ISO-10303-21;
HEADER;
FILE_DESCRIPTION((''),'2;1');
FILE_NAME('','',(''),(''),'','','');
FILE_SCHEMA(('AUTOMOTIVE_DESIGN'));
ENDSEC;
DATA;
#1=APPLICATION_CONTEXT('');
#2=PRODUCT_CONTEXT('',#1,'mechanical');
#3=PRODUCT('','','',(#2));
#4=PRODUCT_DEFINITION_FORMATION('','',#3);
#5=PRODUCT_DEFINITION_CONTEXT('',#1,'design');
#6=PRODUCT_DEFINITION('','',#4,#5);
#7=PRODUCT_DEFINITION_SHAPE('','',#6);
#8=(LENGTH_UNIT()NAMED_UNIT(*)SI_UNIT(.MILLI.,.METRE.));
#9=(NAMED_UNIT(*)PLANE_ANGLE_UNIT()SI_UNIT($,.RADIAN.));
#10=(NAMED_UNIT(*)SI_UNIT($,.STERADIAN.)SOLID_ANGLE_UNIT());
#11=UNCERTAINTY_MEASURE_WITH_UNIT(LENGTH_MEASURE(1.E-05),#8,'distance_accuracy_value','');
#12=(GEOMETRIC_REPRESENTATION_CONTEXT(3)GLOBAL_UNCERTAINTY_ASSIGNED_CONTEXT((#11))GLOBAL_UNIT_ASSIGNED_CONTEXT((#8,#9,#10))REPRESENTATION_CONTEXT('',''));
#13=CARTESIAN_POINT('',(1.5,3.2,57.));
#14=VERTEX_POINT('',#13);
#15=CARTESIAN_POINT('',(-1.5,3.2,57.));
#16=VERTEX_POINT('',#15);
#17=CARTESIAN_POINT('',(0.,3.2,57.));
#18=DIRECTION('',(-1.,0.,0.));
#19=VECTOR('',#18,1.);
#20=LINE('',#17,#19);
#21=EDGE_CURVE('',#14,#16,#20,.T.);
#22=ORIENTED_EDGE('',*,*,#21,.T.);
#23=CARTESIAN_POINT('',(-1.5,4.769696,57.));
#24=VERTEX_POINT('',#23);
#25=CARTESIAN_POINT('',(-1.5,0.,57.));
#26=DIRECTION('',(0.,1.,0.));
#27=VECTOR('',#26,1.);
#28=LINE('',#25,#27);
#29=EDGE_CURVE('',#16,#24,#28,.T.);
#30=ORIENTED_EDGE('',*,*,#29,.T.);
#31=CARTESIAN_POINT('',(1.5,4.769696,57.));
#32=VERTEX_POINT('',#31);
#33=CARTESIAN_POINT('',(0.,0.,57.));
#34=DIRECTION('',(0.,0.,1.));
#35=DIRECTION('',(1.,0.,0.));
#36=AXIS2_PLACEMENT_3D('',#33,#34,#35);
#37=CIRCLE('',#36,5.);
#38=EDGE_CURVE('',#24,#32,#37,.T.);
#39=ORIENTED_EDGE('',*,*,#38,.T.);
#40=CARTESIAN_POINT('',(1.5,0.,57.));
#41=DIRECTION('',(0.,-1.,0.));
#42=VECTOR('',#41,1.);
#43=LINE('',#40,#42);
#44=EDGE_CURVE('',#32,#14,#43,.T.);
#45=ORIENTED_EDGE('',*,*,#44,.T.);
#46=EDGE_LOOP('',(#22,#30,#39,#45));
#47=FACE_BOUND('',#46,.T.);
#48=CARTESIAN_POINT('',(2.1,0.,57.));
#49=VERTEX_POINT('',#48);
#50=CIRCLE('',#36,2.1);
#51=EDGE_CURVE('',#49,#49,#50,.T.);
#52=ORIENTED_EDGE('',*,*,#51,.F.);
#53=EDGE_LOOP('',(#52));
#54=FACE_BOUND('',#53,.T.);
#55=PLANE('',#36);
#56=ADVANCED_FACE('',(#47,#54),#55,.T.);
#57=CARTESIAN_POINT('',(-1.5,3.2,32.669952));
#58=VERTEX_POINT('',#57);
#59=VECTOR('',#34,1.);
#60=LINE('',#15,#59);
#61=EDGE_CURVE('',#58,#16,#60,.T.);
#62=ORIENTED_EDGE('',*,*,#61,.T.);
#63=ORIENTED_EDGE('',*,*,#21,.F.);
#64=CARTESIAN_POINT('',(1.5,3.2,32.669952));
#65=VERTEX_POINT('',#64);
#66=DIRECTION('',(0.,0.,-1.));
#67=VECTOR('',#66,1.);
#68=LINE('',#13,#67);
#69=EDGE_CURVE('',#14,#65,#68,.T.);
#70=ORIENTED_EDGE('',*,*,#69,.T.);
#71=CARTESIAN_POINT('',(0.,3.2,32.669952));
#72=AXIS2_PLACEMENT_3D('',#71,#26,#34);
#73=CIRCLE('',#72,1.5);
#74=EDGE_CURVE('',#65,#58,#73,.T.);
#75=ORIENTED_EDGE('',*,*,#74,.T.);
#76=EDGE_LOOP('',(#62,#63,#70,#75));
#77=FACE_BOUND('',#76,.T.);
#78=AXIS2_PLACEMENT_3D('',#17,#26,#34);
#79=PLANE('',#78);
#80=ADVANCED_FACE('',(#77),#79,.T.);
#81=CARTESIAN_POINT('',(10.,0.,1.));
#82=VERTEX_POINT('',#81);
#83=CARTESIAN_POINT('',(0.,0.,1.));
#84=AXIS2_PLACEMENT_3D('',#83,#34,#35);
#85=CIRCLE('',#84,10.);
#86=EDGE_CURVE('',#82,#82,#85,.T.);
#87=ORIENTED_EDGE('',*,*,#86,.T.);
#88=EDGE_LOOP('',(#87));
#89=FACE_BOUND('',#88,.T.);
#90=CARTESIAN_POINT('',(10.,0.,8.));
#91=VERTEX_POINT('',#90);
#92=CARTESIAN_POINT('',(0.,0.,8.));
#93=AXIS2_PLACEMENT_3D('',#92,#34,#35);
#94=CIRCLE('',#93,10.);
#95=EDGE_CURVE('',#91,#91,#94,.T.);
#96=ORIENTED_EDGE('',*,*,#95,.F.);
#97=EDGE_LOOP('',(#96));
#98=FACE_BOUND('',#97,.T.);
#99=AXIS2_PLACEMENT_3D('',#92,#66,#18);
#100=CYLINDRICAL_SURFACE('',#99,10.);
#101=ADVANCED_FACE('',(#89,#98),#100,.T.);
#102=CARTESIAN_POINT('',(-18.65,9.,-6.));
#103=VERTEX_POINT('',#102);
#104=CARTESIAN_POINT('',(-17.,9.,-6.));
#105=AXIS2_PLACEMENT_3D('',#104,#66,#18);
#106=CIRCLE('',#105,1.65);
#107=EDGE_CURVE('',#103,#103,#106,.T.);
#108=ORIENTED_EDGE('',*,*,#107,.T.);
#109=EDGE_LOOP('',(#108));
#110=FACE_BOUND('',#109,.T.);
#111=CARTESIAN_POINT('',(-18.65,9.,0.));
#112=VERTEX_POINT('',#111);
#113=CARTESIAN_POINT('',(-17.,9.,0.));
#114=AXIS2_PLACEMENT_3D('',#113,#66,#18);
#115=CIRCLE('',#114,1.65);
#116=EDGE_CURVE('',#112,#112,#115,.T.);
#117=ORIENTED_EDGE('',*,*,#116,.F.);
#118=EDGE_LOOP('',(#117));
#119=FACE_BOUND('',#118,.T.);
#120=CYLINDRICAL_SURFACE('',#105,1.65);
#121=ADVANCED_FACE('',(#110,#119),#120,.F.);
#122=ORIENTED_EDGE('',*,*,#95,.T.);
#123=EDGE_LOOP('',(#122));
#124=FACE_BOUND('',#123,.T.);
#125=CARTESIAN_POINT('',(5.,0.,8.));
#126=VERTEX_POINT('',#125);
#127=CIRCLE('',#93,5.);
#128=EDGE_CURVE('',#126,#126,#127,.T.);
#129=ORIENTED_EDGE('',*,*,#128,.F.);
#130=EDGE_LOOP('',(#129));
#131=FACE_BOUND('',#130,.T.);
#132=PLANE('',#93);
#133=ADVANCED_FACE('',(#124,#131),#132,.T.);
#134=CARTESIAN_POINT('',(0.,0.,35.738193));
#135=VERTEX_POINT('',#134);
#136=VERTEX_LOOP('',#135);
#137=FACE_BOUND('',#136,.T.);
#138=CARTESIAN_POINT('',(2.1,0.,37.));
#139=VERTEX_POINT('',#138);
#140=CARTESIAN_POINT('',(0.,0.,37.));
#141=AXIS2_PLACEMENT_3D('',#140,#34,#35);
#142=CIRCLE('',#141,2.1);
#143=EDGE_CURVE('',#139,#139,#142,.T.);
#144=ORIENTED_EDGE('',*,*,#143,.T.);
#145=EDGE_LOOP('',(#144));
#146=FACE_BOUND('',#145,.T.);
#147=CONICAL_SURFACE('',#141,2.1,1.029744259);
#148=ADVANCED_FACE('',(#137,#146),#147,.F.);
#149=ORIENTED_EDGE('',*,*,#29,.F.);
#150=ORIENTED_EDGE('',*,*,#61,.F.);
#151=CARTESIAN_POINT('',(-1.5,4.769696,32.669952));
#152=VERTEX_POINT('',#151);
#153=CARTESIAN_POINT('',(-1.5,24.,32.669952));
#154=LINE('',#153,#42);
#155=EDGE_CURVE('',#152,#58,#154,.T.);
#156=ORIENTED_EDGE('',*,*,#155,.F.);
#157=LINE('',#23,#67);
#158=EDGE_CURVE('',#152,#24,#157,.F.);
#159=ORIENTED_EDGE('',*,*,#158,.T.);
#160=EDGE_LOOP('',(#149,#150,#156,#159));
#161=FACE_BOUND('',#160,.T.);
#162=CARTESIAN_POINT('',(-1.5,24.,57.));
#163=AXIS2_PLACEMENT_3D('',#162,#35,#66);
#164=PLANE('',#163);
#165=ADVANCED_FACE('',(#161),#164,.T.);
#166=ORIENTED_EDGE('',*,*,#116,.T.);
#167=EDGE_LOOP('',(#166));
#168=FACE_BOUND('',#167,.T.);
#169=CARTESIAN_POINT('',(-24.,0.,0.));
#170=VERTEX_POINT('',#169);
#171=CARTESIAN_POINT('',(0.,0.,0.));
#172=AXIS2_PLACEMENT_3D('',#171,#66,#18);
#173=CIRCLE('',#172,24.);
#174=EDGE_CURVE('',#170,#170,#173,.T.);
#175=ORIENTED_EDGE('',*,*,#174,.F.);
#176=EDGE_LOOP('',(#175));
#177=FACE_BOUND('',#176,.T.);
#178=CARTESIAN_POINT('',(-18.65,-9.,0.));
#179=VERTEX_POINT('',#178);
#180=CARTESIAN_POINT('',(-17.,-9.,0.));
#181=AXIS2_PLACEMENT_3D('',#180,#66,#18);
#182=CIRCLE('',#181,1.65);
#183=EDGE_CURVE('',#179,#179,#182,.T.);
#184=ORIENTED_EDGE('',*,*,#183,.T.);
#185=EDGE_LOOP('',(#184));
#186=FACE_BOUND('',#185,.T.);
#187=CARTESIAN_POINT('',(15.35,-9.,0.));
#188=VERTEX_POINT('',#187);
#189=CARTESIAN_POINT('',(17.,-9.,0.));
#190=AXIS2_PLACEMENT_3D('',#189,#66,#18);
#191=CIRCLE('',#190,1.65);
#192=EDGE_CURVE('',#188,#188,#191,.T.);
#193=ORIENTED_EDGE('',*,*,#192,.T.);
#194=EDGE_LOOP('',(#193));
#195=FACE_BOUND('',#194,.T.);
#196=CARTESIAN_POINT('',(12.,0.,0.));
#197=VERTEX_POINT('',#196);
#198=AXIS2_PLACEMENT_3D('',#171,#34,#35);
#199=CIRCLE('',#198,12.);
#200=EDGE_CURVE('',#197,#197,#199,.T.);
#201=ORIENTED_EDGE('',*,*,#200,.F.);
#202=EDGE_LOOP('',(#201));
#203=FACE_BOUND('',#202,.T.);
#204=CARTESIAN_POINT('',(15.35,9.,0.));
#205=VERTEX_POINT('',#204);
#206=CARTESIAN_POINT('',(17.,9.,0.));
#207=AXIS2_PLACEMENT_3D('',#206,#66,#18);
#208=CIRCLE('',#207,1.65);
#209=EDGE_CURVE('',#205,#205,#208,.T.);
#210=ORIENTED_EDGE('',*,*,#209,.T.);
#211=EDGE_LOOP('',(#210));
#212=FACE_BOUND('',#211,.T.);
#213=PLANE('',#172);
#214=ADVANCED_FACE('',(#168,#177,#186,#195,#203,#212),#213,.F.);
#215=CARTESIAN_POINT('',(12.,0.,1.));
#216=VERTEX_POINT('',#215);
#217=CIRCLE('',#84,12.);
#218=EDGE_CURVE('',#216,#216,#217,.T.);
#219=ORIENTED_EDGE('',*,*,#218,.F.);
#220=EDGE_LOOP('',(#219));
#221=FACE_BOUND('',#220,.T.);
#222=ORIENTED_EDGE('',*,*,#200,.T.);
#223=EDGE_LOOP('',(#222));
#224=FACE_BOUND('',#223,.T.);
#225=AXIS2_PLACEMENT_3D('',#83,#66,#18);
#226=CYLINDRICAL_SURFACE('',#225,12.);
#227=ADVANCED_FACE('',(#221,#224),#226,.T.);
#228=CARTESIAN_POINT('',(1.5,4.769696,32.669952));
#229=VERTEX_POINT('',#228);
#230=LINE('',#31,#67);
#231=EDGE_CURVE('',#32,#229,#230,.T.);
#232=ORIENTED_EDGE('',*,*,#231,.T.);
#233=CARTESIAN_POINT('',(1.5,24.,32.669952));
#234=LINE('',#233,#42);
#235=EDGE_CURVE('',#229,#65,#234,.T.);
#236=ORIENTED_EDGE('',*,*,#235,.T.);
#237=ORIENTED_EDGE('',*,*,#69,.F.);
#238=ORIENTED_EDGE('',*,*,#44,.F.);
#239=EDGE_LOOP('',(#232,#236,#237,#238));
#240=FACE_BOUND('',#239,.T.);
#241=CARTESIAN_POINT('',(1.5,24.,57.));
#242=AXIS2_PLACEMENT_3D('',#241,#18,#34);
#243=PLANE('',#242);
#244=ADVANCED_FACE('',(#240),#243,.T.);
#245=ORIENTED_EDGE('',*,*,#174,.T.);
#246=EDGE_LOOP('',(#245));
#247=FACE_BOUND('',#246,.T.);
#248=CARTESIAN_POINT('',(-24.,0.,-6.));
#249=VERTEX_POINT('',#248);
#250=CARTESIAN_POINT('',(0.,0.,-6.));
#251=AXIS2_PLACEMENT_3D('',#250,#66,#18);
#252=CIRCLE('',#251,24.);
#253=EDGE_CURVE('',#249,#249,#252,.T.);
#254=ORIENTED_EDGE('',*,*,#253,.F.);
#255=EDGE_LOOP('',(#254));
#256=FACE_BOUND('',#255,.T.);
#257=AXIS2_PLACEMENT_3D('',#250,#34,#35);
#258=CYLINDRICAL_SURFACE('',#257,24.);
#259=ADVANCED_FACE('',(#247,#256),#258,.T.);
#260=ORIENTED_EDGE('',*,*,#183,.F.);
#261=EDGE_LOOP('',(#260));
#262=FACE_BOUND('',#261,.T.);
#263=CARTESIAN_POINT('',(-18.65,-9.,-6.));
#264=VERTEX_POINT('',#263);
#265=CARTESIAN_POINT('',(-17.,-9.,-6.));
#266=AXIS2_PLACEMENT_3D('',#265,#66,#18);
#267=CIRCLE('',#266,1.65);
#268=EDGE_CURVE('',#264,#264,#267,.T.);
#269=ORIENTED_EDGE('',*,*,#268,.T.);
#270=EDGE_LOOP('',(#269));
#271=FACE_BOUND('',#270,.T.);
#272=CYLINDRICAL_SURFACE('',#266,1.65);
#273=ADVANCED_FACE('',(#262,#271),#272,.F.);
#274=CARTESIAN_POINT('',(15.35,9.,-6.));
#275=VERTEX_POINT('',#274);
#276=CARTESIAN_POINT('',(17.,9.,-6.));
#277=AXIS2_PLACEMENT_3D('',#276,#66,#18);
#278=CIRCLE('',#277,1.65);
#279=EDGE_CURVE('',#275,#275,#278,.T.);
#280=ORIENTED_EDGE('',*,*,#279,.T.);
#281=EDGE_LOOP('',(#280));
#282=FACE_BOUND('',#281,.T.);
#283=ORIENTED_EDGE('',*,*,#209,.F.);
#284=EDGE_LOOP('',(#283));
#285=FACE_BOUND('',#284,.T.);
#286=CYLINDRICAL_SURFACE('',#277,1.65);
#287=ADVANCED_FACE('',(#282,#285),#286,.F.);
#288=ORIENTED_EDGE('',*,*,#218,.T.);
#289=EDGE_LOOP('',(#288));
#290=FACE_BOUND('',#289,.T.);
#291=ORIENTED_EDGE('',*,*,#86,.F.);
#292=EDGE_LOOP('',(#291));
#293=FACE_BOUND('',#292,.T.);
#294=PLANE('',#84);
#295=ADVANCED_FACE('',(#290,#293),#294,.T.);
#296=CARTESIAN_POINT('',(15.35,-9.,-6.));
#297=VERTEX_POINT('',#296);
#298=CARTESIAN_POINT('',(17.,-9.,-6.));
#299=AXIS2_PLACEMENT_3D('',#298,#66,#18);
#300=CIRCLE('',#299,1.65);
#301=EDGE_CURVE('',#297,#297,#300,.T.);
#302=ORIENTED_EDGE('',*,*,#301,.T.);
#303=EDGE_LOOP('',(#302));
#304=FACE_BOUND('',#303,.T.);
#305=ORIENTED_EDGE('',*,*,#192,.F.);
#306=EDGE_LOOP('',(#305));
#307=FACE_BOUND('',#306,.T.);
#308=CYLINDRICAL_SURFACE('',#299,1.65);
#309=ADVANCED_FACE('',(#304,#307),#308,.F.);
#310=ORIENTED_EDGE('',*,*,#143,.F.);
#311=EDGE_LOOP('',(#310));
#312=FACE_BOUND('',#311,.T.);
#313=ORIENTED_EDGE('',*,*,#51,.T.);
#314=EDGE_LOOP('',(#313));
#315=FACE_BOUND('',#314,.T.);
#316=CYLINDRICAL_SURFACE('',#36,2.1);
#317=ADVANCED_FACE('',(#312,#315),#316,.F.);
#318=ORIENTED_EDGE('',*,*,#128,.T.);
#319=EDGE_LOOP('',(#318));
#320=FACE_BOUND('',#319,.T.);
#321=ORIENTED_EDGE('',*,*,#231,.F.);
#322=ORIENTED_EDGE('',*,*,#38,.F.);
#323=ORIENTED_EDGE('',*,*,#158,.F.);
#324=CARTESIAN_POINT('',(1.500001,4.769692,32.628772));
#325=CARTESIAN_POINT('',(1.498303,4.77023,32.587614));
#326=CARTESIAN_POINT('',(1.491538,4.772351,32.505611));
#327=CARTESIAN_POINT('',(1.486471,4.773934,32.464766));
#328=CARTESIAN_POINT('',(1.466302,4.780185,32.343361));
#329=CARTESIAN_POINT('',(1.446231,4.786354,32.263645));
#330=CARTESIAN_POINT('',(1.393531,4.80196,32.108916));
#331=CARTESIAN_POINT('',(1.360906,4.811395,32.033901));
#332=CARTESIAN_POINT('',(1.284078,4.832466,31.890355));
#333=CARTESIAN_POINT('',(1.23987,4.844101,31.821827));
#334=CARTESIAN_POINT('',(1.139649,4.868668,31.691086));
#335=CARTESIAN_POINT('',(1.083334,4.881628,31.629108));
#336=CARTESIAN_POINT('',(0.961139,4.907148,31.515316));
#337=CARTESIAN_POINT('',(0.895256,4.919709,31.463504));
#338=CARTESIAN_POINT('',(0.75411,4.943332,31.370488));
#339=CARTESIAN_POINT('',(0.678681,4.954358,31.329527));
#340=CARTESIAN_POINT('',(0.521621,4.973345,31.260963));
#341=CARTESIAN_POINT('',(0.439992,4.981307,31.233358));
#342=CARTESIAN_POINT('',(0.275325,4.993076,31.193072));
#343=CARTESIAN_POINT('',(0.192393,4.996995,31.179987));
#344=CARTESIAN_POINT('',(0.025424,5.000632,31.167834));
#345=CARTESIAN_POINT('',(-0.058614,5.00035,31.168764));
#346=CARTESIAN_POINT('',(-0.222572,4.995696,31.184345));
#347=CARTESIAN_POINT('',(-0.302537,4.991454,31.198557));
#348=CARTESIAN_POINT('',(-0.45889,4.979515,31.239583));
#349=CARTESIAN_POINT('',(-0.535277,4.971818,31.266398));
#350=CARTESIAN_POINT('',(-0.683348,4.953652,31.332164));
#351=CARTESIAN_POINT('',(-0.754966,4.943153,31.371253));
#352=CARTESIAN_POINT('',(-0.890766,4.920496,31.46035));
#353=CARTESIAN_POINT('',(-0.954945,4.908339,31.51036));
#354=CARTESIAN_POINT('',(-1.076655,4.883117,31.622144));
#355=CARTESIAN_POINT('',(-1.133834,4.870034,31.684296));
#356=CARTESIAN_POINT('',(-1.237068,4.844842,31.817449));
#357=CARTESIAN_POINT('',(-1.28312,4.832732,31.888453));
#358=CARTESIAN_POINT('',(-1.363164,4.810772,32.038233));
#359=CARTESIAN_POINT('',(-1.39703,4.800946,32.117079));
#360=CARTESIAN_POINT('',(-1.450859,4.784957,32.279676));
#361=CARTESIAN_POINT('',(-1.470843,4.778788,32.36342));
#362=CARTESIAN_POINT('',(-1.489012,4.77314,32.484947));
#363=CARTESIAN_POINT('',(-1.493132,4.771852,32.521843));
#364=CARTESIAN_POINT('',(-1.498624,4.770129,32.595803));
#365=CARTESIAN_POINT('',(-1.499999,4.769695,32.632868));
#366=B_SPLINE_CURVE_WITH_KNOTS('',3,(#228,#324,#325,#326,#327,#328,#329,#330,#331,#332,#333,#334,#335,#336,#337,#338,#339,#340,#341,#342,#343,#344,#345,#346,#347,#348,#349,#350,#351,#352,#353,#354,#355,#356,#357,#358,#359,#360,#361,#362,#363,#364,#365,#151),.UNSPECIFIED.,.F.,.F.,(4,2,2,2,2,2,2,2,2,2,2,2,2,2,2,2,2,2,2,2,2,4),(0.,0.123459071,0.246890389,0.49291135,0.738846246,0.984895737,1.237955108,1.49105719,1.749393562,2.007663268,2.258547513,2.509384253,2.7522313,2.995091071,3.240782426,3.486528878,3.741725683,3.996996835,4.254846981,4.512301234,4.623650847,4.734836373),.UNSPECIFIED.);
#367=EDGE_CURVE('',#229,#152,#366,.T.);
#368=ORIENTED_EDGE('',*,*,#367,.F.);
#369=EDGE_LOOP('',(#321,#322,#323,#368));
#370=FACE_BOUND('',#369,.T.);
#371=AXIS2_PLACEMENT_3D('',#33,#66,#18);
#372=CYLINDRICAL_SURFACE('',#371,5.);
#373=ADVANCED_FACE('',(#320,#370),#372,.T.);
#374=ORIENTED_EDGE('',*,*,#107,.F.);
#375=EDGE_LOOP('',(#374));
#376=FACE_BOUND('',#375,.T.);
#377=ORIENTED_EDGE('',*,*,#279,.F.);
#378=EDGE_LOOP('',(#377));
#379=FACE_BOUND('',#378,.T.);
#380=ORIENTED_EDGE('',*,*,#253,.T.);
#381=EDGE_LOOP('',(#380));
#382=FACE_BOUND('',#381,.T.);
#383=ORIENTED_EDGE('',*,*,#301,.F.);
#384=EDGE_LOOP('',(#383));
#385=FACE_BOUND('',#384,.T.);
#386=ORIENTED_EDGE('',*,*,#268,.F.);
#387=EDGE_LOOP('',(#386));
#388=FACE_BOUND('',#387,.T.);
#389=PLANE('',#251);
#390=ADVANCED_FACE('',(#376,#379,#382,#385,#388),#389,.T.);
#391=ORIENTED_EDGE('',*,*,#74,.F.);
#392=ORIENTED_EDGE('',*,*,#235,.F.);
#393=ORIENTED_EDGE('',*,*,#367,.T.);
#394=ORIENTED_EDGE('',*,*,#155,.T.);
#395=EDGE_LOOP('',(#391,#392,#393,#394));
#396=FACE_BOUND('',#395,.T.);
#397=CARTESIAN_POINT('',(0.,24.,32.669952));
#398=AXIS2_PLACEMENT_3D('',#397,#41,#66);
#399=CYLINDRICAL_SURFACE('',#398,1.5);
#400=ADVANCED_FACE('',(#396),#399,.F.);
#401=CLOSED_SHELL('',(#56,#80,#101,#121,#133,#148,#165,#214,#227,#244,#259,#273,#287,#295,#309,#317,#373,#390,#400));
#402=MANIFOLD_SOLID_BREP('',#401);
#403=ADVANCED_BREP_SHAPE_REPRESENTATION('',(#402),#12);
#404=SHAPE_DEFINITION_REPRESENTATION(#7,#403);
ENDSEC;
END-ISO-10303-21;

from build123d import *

# Parameters (mm, degrees)
ESQUISSE1_R                                   = 12
BOSS_EXTRU_1_DEPTH                            = 1
ESQUISSE2_R                                   = 24
BOSS_EXTRU_2_DEPTH                            = 6
TROU_POUR_TARAUDAGE_POUR_TROU_TARAUD_M4_D     = 3.3
TROU_POUR_TARAUDAGE_POUR_TROU_TARAUD_M4_DEPTH = 6
TROU_POUR_TARAUDAGE_POUR_TROU_TARAUD_M4_TIP   = 0.991420021
ESQUISSE12_R                                  = 5
BOSS_EXTRU_3_DEPTH                            = 56
TROU_POUR_TARAUDAGE_POUR_TROU_TARAUD_M5_D     = 4.2
TROU_POUR_TARAUDAGE_POUR_TROU_TARAUD_M5_DEPTH = 20
TROU_POUR_TARAUDAGE_POUR_TROU_TARAUD_M5_TIP   = 1.2618073
ENL_V_START                                   = 3.2
ENL_V_MAT_EXTRU_3_DEPTH                       = 21.8
ESQUISSE19_R                                  = 10
BOSS_EXTRU_4_DEPTH                            = 7


with BuildPart() as part:
    # Esquisse1 → Boss.-Extru.1 (new body)
    with BuildSketch(Plane.XY):
        Circle(ESQUISSE1_R)
    extrude(amount=BOSS_EXTRU_1_DEPTH)

    # Esquisse2 → Boss.-Extru.2 (add)
    with BuildSketch(Plane(origin=(0, 0, 0), x_dir=(-1, 0, 0), z_dir=(0, 0, -1))):
        Circle(ESQUISSE2_R)
    extrude(amount=BOSS_EXTRU_2_DEPTH)

    # Trou pour taraudage pour trou taraudé M42
    with Locations(Plane(origin=(0, 0, -6), x_dir=(-1, 0, 0), z_dir=(0, 0, -1))):
        with Locations((-17, 9), (17, -9), (17, 9), (-17, -9)):
            Hole(TROU_POUR_TARAUDAGE_POUR_TROU_TARAUD_M4_D / 2, depth=TROU_POUR_TARAUDAGE_POUR_TROU_TARAUD_M4_DEPTH)
            with Locations((0, 0, -(TROU_POUR_TARAUDAGE_POUR_TROU_TARAUD_M4_DEPTH + TROU_POUR_TARAUDAGE_POUR_TROU_TARAUD_M4_TIP / 2))):  # 118° drill point
                Cone(0, TROU_POUR_TARAUDAGE_POUR_TROU_TARAUD_M4_D / 2, TROU_POUR_TARAUDAGE_POUR_TROU_TARAUD_M4_TIP, mode=Mode.SUBTRACT)

    # Esquisse12 → Boss.-Extru.3 (add)
    with BuildSketch(Plane.XY.offset(1)):
        Circle(ESQUISSE12_R)
    extrude(amount=BOSS_EXTRU_3_DEPTH)

    # Trou pour taraudage pour trou taraudé M51
    with Locations(Plane.XY.offset(57)):
        with Locations((0, 0)):
            Hole(TROU_POUR_TARAUDAGE_POUR_TROU_TARAUD_M5_D / 2, depth=TROU_POUR_TARAUDAGE_POUR_TROU_TARAUD_M5_DEPTH)
            with Locations((0, 0, -(TROU_POUR_TARAUDAGE_POUR_TROU_TARAUD_M5_DEPTH + TROU_POUR_TARAUDAGE_POUR_TROU_TARAUD_M5_TIP / 2))):  # 118° drill point
                Cone(0, TROU_POUR_TARAUDAGE_POUR_TROU_TARAUD_M5_D / 2, TROU_POUR_TARAUDAGE_POUR_TROU_TARAUD_M5_TIP, mode=Mode.SUBTRACT)

    # Esquisse16 → Enlèv. mat.-Extru.3 (cut, through all)
    with BuildSketch(Plane(origin=(0, 0, 0), x_dir=(1, 0, 0), z_dir=(0, 1, 0)).offset(ENL_V_START)):
        with BuildLine():
            Line((-1.5, -57), (-1.5, -32.669951792))
            ThreePointArc((-1.5, -32.669951792), (0, -31.169951792), (1.5, -32.669951792))
            Line((1.5, -32.669951792), (1.5, -57))
            ThreePointArc((1.5, -57), (0, -58.5), (-1.5, -57))
        make_face()
    extrude(amount=ENL_V_MAT_EXTRU_3_DEPTH, mode=Mode.SUBTRACT)

    # Esquisse19 → Boss.-Extru.4 (add)
    with BuildSketch(Plane.XY.offset(1)):
        Circle(ESQUISSE19_R)
    extrude(amount=BOSS_EXTRU_4_DEPTH)


solid = part.part
